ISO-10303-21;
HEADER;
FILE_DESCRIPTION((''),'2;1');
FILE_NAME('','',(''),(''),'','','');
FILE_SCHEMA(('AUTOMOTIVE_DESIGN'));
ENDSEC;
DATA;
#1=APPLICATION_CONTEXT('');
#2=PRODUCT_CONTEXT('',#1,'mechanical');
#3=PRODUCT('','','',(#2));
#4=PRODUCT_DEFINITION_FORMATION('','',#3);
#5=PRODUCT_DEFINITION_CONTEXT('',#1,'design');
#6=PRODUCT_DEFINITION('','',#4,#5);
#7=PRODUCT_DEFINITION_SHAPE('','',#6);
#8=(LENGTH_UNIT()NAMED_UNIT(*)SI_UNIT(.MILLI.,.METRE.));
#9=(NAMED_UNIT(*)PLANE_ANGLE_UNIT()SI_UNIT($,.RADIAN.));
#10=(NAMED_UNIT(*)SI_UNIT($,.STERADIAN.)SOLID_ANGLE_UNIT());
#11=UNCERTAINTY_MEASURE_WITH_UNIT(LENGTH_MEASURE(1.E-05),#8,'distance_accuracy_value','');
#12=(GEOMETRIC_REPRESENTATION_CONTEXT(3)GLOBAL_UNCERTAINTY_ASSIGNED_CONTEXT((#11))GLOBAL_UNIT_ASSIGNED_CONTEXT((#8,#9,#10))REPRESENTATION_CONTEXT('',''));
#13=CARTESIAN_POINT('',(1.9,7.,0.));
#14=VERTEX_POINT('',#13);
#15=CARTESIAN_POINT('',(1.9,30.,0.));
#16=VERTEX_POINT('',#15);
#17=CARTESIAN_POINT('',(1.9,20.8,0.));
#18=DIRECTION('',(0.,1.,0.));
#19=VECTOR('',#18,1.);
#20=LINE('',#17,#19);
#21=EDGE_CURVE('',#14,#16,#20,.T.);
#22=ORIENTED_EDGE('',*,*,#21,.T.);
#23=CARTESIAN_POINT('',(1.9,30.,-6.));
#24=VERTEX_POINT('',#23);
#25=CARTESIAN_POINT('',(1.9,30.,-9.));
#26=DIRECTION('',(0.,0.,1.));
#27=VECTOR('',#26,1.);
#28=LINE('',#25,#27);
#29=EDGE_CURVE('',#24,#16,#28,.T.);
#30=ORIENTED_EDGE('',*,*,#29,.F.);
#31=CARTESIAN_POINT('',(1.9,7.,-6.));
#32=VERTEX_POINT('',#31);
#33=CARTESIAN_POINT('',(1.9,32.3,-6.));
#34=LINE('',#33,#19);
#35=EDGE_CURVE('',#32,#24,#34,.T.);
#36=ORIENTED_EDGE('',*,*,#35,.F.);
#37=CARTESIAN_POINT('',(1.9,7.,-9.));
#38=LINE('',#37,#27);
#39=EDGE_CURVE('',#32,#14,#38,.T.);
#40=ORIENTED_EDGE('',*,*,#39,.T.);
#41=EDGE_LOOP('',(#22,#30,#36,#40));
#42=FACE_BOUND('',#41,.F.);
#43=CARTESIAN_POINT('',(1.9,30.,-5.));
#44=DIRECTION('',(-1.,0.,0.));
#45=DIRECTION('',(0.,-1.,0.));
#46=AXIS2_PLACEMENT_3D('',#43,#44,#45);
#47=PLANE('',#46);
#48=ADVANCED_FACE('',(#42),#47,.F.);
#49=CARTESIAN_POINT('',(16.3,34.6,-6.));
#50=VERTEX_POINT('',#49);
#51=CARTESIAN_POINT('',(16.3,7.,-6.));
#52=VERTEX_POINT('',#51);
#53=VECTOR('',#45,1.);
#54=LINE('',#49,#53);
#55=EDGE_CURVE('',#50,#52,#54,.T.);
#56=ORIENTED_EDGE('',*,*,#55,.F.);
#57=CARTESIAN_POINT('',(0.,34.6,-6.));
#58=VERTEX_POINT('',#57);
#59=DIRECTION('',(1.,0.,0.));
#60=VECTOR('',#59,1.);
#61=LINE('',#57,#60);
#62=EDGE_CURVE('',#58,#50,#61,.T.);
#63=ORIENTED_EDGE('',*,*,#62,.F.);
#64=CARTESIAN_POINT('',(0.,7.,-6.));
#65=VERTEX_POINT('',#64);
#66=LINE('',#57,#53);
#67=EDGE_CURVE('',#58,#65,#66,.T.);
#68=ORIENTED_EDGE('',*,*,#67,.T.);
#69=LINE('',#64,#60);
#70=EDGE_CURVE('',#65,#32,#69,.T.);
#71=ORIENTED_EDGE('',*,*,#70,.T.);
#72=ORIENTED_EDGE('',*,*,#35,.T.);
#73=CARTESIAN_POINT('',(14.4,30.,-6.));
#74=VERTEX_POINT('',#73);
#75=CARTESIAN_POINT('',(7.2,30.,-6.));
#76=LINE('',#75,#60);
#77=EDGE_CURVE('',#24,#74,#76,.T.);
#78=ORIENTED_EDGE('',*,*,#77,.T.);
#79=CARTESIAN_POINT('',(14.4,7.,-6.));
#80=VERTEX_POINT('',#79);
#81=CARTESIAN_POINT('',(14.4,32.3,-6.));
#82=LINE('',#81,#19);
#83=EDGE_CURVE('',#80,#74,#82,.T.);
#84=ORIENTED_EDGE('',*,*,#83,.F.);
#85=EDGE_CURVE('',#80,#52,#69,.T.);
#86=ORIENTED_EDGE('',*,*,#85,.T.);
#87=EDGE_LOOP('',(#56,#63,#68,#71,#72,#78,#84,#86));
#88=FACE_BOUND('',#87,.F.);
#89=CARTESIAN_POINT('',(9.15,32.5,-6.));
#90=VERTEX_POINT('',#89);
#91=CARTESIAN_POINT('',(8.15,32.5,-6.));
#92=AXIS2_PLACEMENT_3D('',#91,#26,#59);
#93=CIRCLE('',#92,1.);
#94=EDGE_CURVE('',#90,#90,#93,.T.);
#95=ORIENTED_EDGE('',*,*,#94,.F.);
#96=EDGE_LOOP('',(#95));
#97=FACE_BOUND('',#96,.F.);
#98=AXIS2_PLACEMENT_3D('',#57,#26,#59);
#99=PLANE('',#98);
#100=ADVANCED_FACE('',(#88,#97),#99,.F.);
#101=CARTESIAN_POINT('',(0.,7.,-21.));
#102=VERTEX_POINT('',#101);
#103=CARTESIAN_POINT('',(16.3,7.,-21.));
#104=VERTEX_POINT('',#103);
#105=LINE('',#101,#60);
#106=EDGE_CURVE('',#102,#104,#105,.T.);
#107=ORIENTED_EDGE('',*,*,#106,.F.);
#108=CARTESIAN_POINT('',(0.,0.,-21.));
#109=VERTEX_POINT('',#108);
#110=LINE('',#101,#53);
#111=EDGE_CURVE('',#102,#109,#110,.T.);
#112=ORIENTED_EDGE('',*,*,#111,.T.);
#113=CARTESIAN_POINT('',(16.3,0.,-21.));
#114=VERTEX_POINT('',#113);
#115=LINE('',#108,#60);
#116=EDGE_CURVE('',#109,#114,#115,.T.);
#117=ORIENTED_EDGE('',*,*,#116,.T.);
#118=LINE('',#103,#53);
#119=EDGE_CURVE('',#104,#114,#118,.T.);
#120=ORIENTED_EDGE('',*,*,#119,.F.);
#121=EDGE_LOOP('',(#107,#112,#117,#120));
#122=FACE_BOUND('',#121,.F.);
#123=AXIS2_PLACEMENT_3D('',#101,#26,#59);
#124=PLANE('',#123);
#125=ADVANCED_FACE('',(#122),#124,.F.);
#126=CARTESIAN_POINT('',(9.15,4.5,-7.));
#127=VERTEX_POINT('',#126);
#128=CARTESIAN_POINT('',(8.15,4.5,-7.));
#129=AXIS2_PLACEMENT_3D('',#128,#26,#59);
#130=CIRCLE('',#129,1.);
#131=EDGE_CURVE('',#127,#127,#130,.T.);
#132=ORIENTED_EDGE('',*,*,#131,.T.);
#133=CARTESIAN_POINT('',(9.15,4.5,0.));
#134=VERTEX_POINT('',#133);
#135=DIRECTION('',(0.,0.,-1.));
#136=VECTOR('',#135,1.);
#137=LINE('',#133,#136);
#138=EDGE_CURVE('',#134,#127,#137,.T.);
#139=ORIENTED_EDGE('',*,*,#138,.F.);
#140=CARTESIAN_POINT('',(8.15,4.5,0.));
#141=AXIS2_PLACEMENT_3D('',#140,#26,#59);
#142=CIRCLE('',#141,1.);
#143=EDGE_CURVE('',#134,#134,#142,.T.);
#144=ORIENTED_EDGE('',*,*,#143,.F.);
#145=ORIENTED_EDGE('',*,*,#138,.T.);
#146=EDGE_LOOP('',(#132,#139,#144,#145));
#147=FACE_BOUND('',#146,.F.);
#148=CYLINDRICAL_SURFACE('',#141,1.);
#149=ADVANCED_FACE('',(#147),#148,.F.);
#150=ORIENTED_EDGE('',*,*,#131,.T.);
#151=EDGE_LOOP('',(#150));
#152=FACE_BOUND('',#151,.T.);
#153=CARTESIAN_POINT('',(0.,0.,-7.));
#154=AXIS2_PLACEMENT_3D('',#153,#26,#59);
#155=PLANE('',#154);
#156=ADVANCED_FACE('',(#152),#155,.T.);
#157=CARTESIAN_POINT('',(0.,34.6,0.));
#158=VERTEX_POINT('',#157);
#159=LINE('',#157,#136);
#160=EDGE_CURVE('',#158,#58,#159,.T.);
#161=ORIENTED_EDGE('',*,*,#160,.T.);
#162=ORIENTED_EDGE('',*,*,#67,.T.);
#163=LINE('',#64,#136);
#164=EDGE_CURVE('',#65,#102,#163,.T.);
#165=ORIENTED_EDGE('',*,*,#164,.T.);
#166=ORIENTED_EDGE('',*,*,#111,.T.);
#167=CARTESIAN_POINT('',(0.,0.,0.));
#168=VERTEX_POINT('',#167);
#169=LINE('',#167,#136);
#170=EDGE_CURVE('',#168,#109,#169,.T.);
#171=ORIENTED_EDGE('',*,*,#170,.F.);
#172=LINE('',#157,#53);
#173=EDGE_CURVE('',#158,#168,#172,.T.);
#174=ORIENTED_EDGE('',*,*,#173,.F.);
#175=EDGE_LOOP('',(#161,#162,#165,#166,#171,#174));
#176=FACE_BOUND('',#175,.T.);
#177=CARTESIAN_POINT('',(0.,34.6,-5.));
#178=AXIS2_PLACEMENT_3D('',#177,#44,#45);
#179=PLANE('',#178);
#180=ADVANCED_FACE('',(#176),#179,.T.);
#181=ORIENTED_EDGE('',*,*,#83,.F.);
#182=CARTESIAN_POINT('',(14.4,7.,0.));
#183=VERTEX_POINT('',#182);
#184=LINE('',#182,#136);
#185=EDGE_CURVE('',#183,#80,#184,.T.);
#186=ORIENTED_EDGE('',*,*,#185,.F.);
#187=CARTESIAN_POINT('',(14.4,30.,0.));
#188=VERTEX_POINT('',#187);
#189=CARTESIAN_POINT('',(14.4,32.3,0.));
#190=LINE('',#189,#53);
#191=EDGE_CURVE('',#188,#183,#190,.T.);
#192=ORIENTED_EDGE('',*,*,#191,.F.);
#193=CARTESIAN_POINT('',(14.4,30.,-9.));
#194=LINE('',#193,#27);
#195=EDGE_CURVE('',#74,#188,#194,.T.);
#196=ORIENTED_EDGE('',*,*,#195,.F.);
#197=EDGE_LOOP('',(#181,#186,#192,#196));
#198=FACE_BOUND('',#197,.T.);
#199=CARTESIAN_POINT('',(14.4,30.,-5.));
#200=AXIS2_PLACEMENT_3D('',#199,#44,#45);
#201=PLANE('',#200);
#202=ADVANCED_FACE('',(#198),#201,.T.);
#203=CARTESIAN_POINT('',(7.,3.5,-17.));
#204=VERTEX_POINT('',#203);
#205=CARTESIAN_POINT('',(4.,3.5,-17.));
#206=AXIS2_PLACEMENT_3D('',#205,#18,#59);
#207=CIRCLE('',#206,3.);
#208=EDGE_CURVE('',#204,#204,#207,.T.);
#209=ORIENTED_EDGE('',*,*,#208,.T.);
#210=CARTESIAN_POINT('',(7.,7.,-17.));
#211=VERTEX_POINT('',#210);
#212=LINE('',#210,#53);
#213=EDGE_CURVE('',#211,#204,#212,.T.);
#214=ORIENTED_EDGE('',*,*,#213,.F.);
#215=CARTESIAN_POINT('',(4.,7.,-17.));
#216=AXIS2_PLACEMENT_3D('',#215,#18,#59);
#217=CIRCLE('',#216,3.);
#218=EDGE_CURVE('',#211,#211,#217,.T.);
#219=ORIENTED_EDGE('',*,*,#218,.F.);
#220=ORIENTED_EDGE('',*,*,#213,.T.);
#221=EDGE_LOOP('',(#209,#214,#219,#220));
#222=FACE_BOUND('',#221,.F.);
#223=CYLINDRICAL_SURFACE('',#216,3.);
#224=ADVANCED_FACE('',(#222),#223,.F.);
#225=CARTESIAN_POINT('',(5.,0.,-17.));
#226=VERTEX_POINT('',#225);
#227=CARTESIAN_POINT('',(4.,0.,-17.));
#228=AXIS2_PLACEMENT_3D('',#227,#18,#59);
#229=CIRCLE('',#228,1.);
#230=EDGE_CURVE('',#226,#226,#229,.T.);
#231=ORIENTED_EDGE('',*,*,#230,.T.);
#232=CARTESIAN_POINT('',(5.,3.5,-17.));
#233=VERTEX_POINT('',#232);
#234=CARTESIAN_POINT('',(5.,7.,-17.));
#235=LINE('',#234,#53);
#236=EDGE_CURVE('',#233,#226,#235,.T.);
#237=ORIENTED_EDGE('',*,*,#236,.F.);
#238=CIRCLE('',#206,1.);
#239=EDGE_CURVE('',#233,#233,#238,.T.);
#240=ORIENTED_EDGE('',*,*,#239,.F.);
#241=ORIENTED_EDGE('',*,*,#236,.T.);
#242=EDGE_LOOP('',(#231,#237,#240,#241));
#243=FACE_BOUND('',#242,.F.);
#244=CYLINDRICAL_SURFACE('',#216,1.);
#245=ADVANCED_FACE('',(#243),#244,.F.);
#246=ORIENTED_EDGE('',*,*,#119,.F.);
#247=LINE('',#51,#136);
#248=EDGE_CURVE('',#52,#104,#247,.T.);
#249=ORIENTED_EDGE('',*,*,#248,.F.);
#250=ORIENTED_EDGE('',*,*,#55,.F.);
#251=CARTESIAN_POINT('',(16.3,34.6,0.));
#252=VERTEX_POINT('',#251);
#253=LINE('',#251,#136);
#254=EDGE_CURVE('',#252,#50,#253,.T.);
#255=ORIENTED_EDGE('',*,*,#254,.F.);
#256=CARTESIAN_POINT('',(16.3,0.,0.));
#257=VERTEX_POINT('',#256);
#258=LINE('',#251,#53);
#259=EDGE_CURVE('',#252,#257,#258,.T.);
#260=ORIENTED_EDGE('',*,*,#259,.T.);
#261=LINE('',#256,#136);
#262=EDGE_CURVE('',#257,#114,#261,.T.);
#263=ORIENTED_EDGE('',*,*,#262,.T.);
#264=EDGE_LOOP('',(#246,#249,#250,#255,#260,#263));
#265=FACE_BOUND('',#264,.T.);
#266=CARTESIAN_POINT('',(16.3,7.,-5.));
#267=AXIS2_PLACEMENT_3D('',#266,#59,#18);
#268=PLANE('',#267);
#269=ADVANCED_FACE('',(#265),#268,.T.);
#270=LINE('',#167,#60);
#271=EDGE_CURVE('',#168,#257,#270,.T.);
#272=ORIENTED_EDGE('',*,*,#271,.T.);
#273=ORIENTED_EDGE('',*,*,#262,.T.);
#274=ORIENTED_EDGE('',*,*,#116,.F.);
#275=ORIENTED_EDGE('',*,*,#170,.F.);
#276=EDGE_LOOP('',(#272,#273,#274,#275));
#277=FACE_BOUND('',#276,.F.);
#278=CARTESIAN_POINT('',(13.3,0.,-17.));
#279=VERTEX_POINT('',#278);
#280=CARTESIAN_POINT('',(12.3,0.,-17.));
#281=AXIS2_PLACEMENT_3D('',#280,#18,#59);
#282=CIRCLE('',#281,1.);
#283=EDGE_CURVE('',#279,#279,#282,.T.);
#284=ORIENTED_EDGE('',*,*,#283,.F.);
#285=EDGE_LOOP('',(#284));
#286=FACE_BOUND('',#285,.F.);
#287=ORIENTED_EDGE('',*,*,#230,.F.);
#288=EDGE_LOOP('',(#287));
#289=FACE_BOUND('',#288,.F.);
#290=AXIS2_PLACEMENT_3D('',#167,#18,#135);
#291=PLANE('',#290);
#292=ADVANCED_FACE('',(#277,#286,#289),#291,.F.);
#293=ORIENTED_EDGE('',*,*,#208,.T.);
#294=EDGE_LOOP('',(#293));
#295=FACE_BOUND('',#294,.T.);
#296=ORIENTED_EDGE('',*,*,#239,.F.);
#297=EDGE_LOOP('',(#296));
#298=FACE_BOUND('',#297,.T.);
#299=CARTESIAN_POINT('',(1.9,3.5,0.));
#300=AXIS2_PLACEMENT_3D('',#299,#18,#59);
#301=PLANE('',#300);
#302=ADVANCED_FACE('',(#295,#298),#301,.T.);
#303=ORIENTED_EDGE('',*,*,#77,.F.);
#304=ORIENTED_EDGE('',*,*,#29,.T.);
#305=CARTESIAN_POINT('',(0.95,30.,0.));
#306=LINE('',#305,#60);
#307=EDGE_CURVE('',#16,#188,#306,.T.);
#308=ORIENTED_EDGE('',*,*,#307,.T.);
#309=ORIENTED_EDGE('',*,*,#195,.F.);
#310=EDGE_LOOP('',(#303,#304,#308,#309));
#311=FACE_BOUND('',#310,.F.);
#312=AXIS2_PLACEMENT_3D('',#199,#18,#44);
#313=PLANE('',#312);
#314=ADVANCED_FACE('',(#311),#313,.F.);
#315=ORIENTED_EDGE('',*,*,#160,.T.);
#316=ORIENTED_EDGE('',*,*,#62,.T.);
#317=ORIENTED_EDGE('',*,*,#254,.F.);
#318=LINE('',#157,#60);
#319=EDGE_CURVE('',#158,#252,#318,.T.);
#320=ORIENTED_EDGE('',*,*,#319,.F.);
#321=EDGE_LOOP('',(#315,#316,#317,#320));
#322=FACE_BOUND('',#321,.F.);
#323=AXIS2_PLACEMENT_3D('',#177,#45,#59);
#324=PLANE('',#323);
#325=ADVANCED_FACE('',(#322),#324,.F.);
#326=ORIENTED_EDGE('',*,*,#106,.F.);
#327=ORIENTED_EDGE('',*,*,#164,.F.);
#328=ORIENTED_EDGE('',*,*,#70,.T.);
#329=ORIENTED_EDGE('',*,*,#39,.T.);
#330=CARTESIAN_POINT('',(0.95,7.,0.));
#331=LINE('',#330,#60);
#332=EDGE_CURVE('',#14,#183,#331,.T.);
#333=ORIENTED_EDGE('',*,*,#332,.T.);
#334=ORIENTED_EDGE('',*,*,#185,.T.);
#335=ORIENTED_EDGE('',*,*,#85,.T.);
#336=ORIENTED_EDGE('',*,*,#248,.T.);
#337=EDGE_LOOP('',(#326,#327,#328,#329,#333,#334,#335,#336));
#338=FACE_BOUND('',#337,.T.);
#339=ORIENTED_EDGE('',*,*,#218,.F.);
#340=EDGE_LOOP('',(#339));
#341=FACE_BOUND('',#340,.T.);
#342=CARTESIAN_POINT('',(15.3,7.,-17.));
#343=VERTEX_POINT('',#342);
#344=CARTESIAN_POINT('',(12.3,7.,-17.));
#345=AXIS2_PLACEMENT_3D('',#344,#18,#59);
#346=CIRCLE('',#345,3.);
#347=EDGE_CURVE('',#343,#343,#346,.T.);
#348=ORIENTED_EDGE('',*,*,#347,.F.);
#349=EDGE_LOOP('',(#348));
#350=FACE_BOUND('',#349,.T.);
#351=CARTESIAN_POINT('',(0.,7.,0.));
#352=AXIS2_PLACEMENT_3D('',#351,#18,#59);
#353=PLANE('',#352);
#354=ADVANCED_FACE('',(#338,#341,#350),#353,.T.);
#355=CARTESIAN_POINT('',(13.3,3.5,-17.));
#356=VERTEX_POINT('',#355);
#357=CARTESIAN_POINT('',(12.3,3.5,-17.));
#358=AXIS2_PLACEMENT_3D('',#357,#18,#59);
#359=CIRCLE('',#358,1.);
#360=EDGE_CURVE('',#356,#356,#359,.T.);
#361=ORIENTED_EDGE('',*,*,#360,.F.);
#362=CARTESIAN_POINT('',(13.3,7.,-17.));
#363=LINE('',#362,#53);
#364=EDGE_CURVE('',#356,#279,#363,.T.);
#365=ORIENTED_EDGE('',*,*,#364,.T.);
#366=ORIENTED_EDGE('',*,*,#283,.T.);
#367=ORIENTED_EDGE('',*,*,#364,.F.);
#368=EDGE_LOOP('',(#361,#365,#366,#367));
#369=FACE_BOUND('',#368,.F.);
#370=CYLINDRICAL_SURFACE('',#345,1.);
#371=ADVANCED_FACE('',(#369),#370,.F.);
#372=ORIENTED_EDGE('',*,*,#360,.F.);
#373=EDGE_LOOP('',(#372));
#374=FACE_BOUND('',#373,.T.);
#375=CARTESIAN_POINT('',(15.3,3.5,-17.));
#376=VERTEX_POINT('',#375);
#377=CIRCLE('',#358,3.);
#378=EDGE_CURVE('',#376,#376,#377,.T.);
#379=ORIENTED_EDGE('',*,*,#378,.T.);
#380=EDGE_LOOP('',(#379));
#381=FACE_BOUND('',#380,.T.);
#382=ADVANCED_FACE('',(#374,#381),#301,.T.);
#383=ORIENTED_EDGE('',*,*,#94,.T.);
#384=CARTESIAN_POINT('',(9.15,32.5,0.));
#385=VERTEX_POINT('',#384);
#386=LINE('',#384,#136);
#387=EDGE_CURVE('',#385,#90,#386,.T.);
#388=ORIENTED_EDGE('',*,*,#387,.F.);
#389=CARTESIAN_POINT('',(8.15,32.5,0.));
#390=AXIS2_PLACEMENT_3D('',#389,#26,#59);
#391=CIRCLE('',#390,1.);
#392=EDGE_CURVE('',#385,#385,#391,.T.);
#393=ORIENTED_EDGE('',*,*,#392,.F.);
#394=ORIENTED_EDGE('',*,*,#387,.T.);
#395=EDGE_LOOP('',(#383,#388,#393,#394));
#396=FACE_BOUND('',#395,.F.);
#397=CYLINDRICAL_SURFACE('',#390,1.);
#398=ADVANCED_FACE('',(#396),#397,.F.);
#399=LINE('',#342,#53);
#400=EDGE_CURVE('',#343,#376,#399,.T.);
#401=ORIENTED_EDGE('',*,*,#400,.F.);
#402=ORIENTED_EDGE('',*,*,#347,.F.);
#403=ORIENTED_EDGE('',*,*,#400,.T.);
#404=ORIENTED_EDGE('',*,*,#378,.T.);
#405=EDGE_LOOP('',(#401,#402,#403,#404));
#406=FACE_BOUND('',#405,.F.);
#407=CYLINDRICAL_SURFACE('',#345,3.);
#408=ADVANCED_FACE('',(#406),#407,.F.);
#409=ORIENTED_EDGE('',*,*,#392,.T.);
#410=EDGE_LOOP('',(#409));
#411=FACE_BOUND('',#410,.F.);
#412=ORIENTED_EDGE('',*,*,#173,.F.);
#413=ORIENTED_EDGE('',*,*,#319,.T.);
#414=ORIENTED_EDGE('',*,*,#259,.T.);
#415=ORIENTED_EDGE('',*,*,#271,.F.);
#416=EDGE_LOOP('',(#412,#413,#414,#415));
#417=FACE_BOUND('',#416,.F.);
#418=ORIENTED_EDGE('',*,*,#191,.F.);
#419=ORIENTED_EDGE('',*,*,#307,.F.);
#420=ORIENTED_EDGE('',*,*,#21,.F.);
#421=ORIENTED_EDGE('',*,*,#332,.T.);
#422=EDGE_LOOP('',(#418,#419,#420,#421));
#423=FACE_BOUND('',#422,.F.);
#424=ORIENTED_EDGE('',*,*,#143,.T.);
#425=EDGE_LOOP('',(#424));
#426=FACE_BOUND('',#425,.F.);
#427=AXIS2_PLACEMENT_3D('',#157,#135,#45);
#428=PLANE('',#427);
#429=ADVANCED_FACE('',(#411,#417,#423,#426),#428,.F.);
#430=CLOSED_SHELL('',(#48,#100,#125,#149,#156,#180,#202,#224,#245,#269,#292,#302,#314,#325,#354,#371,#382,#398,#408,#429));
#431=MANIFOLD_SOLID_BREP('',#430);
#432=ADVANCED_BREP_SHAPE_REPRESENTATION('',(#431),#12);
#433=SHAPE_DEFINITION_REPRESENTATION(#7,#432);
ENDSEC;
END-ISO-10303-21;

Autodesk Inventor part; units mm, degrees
ref_plane "YZ Plane" through (0, 0, 0) normal (1, 0, 0) x (0, 1, 0)
ref_plane "XZ Plane" through (0, 0, 0) normal (0, 1, 0) x (-1, 0, 0)
ref_plane "XY Plane" through (0, 0, 0) normal (0, 0, 1) x (1, 0, 0)
sketch "Sketch1" plane through (0, 0, 0) normal (1, 0, 0) x (0, 1, 0)
  line L0 (34.6, 0) -> (0, 0)
  line L1 (0, 0) -> (0, -40)
  line L2 (7, -40) -> (7, -5)
  line L3 (7, -5) -> (34.6, -5)
  line L4 (34.6, -5) -> (34.6, 0)
  line L5 (7, -40) -> (0, -40)
  dimension "d0" = 0
  dimension "d1" = 0
  dimension "d2" = 5
  dimension "d3" = 7
  dimension "d5" = 40
  dimension "d6" = 34.6
extrude "Extrusion1" add sketch "Sketch1" along normal blind 16.3
sketch "Sketch2" plane through (0, 7, -5) normal (0, 1, 0) x (1, 0, 0)
  line L0 (16.3, 35) -> (16.3, 0) projected
  line L1 (0, -5) -> (16.3, -5) projected
  circle A0 centre (12.3, 12) radius 1
  line L2 (12.3, 5) -> (12.3, 12) construction
  circle A1 centre (4, 12) radius 1
  line L3 (0, 35) -> (0, 0) projected
  line L4 (0, 0) -> (16.3, 0) projected
  dimension "d9" = 4
  dimension "d31" = 2
  dimension "d46" = 4
  dimension "d47" = 12
  dimension "d48" = 0
extrude "Extrusion2" cut sketch "Sketch2" against normal through all
sketch "Sketch3" plane through (0, 7, -5) normal (0, 0, -1) x (-1, 0, 0)
  line L0 (0, 0) -> (-16.3, 0) projected
  line L1 (-14.4, 0) -> (-1.9, 0)
  line L2 (-1.9, 0) -> (-1.9, 23)
  line L3 (-1.9, 23) -> (-14.4, 23)
  line L4 (-14.4, 23) -> (-14.4, 0)
  line L5 (0, 0) -> (0, 27.6) projected
  point P0 (0, -7)
  dimension "d14" = 23
  dimension "d15" = 12.5
  dimension "d16" = 1.9
extrude "Extrusion3" cut sketch "Sketch3" against normal blind 16.3
sketch "Sketch5" plane through (0, 7, -5) normal (0, 0, -1) x (-1, 0, 0)
  line L0 (0, 27.6) -> (-16.3, 27.6) projected
  line L1 (-16.3, 27.6) -> (0, 27.6)
  line L2 (0, 27.6) -> (0, 0)
  line L3 (0, 0) -> (-1.9, 0)
  line L4 (-14.4, 23) -> (-14.4, 0) projected
  line L5 (-14.4, 23) -> (-14.4, 0)
  line L6 (-14.4, 0) -> (-16.3, 0)
  line L7 (-16.3, 0) -> (-16.3, 27.6)
  line L8 (-14.4, 23) -> (-1.9, 23)
  line L9 (-1.9, 23) -> (-1.9, 0)
  line L10 (-1.9, 23) -> (-1.9, 0) projected
  line L11 (-14.4, 23) -> (-1.9, 23) projected
  point P0 (0, -7)
  dimension "d26" = 0
  dimension "d27" = 0
  dimension "d28" = 1.9
extrude "Extrusion5" add sketch "Sketch5" along normal blind 4
sketch "Sketch4" plane through (0, 0, 0) normal (0, 0, 1) x (1, 0, 0)
  circle A0 centre (8.15, 32.5) radius 1
  circle A1 centre (8.15, 4.5) radius 1
  line L0 (1.9, 30) -> (14.4, 30) projected
  line L1 (14.4, 7) -> (1.9, 7) projected
  line L2 (0, 34.6) -> (0, 0) projected
  line L3 (16.3, 34.6) -> (16.3, 0) projected
  dimension "d19" = 2.5
  dimension "d20" = 2.5
  dimension "d21" = 2
  dimension "d22" = 8.15
  dimension "d23" = 8.15
extrude "Extrusion4" cut sketch "Sketch4" against normal blind 7
sketch "Sketch7" plane through (0, 34.6, 0) normal (0, 1, 0) x (1, 0, 0)
  line L0 (16.3, 0) -> (16.3, 9) projected
  line L1 (0, 0) -> (0, 9) projected
  line L2 (16.3, 9) -> (0, 9)
  line L3 (0, 9) -> (0, 6)
  line L4 (0, 6) -> (16.3, 6)
  line L5 (16.3, 6) -> (16.3, 9)
  line L6 (0, 0) -> (16.3, 0) projected
  dimension "d40" = 6
extrude "Extrusion7" cut sketch "Sketch7" against normal up to surface (27.6 mm away) contours L4 L1 L2 L0
sketch "Sketch8" plane through (0, 7, -40) normal (0, 1, 0) x (1, 0, 0)
  line L0 (0, 0) -> (16.3, 0) projected
  line L1 (0, 0) -> (0, -34) projected
  line L2 (16.3, 0) -> (0, 0)
  line L3 (0, 0) -> (0, -19)
  line L4 (0, -19) -> (16.3, -19)
  line L5 (16.3, -19) -> (16.3, 0)
  circle A0 centre (12.3, -23) radius 1 projected
  point P0 (0, -40)
  dimension "d43" = 4
extrude "Extrusion8" cut sketch "Sketch8" against normal blind 10 contours L0 L5 L4 L1
sketch "Sketch9" plane through (1.9, 7, 0) normal (0, 1, 0) x (1, 0, 0)
  circle A0 centre (2.1, 17) radius 1 projected
  circle A1 centre (10.4, 17) radius 1 projected
  circle A2 centre (2.1, 17) radius 3
  circle A3 centre (10.4, 17) radius 3
  point P0 (-1.9, 0)
  dimension "d49" = 6
  dimension "d50" = 6
extrude "Extrusion9" cut sketch "Sketch9" against normal blind 3.5
equation "\"d50\" = d49"
properties part number "ServoHolder_3DPrint"
